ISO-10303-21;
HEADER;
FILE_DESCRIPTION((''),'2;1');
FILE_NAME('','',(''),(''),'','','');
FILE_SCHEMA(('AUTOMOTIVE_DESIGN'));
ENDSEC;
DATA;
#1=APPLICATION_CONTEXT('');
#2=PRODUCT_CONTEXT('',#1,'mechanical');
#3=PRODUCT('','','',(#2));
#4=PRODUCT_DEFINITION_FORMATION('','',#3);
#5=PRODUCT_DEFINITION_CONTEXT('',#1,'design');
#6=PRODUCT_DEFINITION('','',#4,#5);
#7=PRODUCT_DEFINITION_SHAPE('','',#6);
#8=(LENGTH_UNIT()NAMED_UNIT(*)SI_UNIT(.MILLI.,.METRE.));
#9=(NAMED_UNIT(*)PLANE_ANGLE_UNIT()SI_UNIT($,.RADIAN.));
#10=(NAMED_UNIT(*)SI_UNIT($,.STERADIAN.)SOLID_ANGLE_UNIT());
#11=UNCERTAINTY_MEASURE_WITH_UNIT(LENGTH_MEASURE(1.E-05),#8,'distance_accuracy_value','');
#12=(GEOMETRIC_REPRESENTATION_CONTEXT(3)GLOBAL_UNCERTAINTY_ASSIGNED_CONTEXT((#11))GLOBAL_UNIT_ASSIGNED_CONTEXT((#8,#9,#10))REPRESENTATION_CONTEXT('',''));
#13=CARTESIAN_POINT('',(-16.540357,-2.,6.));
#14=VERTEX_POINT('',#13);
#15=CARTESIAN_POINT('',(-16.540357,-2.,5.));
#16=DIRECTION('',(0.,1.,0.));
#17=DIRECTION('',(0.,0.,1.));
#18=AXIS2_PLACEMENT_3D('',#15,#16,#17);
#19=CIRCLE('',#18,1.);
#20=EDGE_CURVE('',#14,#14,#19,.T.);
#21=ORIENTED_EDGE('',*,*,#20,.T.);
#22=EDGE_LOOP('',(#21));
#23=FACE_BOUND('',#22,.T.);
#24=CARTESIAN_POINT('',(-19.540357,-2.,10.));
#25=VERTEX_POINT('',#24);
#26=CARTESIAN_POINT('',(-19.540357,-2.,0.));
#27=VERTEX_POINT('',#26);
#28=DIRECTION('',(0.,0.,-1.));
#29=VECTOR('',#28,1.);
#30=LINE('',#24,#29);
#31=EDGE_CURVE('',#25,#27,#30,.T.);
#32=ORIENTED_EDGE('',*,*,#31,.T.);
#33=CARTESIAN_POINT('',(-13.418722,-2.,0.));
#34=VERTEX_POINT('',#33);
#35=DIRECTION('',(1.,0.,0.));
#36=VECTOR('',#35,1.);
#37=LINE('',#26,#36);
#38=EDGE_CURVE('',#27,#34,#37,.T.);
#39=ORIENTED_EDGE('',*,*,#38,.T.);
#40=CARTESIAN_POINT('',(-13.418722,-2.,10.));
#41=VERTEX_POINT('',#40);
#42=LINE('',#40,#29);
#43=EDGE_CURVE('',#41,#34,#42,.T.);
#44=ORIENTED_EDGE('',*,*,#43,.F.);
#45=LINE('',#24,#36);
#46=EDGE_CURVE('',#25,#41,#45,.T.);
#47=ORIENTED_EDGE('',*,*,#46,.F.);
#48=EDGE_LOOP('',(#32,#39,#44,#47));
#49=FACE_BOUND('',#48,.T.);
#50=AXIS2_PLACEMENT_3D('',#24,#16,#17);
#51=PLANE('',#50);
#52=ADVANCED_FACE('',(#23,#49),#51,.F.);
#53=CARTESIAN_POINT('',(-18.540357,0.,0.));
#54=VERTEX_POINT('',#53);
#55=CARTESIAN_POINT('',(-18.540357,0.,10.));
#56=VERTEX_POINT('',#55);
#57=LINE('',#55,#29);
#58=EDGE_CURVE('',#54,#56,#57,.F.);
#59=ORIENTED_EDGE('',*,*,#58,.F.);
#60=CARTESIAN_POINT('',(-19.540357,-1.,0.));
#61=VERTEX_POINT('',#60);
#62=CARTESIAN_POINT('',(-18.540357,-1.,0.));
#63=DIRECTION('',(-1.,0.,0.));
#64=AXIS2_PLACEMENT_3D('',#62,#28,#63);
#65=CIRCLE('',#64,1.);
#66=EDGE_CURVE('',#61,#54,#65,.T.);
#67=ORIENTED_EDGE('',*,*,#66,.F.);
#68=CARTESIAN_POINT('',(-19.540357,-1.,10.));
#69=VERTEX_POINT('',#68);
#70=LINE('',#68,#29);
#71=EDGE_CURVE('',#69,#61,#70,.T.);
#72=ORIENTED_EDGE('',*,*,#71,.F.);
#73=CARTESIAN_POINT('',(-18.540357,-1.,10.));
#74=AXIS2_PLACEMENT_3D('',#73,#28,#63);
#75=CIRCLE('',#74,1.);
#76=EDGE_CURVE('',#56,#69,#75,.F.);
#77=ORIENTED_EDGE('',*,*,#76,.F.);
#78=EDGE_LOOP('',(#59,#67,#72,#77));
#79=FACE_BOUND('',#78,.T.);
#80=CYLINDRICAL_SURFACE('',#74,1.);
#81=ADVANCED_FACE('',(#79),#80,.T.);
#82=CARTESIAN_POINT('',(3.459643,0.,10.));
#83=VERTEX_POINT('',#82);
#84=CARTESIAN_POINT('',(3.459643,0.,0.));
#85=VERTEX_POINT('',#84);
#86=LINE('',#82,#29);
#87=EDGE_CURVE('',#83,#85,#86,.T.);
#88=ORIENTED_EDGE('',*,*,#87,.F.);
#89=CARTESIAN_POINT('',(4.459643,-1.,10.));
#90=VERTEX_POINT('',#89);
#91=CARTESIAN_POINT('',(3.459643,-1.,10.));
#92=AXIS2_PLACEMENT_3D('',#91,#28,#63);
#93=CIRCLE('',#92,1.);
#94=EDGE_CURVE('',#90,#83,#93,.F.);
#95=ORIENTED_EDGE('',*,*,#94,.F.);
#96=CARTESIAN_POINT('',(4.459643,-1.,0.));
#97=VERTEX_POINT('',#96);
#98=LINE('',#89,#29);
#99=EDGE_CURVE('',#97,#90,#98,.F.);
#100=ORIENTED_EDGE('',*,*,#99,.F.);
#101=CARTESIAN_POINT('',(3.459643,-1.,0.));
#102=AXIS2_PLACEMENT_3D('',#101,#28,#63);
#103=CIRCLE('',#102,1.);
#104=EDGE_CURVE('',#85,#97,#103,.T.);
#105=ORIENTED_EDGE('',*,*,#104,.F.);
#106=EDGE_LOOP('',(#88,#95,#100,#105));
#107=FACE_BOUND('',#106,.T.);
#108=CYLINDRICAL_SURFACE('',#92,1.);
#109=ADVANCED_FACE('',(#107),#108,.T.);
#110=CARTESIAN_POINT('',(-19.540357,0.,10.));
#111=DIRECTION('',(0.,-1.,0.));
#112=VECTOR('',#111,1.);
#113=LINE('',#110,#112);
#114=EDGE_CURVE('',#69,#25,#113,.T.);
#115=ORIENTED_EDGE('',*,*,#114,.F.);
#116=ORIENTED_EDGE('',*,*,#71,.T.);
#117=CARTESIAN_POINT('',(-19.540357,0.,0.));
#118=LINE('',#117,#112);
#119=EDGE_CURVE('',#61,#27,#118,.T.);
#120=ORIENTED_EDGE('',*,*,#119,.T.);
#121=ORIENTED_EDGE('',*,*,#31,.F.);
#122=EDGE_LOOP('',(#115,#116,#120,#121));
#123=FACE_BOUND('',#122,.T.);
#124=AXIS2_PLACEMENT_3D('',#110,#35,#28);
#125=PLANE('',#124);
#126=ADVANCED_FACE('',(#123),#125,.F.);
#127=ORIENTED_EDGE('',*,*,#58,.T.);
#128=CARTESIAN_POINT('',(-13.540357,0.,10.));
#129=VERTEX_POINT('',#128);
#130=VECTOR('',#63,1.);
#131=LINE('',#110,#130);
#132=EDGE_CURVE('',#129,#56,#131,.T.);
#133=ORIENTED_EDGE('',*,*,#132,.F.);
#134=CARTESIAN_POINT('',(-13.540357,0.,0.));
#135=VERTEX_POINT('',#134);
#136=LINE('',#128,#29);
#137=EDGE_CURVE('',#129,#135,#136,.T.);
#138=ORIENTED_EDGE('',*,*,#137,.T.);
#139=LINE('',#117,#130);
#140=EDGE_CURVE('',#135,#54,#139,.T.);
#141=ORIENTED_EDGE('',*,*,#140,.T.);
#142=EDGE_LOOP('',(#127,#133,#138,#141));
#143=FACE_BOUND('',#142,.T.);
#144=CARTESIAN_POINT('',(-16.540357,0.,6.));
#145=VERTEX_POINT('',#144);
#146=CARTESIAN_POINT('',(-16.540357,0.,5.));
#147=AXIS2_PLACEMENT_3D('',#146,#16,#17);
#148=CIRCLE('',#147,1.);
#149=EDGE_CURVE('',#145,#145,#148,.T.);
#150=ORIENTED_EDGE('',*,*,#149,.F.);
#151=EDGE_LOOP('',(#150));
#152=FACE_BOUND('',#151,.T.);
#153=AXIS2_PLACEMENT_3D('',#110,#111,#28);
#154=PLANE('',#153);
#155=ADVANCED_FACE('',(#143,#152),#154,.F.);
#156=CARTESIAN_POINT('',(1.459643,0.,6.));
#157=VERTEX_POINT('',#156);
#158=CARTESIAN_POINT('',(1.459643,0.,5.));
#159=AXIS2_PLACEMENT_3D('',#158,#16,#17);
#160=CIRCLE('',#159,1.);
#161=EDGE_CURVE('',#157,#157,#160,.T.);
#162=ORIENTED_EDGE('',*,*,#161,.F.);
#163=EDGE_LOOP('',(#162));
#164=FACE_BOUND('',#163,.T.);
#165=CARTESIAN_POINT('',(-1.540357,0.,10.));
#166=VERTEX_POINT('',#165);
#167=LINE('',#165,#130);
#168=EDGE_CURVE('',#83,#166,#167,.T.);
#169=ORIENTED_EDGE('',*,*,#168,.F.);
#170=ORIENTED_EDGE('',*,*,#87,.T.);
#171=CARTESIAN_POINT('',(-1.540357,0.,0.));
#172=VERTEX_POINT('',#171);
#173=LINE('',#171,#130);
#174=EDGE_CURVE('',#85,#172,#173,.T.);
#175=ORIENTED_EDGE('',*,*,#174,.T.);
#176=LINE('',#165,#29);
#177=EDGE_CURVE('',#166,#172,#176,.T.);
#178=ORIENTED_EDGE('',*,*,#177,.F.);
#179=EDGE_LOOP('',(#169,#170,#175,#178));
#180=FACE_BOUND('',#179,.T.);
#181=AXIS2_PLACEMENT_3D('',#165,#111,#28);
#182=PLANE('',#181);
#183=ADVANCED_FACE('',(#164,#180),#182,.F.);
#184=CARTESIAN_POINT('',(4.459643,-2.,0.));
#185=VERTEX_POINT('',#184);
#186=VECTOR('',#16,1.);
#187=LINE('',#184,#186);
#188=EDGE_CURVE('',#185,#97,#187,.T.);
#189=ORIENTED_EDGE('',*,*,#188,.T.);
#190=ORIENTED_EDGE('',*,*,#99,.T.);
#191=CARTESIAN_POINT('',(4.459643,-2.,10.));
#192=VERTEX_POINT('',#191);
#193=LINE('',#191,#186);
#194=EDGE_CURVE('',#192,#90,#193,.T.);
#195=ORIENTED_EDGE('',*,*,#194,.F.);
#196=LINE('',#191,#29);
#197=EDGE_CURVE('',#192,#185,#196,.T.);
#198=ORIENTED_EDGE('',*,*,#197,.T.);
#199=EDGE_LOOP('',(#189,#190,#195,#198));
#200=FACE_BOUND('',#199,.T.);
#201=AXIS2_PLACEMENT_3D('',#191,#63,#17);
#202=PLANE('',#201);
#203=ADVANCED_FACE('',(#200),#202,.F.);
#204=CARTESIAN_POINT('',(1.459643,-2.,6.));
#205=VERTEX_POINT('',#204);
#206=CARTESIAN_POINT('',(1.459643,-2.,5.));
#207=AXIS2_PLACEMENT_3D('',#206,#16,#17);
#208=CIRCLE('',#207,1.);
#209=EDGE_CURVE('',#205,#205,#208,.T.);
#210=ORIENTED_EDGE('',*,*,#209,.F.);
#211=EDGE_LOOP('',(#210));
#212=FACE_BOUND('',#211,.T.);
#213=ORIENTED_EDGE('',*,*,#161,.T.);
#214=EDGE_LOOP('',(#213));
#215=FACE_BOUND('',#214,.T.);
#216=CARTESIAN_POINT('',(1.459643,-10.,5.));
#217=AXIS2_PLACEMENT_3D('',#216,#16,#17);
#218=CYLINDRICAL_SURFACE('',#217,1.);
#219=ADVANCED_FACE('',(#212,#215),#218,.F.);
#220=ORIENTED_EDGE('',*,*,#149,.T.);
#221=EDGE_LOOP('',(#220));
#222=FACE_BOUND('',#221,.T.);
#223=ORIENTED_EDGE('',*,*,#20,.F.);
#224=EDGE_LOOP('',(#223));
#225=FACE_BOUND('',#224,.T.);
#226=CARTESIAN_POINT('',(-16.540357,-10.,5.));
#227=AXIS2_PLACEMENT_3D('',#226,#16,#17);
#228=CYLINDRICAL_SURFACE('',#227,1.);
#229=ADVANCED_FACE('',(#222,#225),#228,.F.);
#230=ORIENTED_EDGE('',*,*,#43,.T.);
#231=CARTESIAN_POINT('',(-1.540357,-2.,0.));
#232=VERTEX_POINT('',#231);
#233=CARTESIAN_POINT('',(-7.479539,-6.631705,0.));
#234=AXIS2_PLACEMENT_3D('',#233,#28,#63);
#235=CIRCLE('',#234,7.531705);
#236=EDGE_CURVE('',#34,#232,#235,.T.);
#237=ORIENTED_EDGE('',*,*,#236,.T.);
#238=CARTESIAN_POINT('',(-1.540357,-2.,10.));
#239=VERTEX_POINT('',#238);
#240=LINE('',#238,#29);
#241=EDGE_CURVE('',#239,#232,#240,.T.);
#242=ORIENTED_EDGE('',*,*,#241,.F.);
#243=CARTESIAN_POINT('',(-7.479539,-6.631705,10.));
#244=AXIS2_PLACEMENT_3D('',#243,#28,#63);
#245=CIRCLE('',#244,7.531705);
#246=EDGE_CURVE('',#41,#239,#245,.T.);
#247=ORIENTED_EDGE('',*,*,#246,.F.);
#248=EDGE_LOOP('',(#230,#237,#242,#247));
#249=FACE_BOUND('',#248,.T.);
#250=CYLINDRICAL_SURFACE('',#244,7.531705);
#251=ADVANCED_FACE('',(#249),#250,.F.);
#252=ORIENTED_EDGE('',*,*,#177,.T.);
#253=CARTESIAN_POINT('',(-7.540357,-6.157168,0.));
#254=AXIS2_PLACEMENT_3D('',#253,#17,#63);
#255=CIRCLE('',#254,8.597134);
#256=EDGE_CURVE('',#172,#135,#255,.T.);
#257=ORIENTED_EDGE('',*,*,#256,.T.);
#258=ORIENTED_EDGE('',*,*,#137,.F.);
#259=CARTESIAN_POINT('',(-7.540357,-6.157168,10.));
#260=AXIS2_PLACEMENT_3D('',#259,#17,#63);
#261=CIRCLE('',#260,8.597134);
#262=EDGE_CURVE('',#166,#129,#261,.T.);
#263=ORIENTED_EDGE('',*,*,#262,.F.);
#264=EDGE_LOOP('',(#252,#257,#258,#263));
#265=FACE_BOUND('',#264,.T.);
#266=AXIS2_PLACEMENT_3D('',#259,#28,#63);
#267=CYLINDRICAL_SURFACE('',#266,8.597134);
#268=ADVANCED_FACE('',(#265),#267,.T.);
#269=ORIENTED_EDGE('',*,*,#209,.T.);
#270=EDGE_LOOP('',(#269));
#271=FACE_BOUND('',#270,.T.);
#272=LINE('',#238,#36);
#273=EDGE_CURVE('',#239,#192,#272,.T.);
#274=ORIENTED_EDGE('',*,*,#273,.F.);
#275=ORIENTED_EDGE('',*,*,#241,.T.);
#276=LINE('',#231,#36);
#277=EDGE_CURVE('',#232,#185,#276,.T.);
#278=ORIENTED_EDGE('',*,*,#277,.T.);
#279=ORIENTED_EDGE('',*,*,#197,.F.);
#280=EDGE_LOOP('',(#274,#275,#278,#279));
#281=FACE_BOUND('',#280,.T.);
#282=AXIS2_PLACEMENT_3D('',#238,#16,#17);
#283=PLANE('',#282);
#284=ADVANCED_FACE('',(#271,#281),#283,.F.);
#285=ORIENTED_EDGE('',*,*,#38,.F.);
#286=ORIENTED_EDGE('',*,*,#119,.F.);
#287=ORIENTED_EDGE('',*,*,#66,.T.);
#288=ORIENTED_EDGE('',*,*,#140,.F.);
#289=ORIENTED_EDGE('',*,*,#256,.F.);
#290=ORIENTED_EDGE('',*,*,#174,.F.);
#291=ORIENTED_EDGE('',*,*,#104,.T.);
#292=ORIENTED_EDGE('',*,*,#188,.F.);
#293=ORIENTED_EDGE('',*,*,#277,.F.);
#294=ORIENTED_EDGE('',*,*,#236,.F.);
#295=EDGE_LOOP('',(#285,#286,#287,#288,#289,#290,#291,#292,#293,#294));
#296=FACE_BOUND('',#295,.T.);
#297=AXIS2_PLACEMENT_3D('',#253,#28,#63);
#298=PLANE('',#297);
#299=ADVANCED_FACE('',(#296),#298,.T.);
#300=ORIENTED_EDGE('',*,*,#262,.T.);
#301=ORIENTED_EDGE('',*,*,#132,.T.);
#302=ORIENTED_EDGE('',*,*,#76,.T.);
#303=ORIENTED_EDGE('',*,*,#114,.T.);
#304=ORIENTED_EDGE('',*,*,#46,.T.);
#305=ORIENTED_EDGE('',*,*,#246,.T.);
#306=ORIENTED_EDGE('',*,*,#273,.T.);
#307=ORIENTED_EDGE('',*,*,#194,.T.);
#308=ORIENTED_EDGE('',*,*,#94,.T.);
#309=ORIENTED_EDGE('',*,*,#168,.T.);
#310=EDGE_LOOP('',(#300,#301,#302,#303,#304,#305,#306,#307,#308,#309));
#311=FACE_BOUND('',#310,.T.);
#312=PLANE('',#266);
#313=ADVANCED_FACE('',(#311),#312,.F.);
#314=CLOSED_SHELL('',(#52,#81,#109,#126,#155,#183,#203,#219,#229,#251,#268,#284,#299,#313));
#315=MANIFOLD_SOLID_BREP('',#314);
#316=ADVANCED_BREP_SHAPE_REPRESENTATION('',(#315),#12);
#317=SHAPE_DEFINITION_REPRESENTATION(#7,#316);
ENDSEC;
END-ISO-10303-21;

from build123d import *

# Parameters (mm, degrees)
BOSS_EXTRUDE1_DEPTH = 10
SKETCH3_R           = 1
CUT_EXTRUDE1_DEPTH  = 10
FILLET1_R           = 1


with BuildPart() as part:
    # Sketch2 → Boss-Extrude1 (new body)
    with BuildSketch(Plane.XY):
        with BuildLine():
            Line((-19.540356597, 0), (-19.540356597, -2))
            Line((-19.540356597, -2), (-13.418721915, -2))
            ThreePointArc((-13.418721915, -2), (-7.479539256, 0.9), (-1.540356597, -2))
            Line((-1.540356597, -2), (4.459643403, -2))
            Line((4.459643403, -2), (4.459643403, 0))
            Line((4.459643403, 0), (-1.540356597, 0))
            ThreePointArc((-1.540356597, 0), (-7.540356597, 2.439966221), (-13.540356597, 0))
            Line((-13.540356597, 0), (-19.540356597, 0))
        make_face()
    extrude(amount=BOSS_EXTRUDE1_DEPTH)

    # Sketch3 → Cut-Extrude1 (cut)
    with BuildSketch(Plane(origin=(0, 0, 0), x_dir=(1, 0, 0), z_dir=(0, 1, 0))):
        with Locations(Location((-16.540356597, -5, 0), (0, 0, 270))):
            Circle(SKETCH3_R)
        with Locations(Location((1.459643403, -5, 0), (0, 0, 270))):
            Circle(SKETCH3_R)
    extrude(amount=-CUT_EXTRUDE1_DEPTH, mode=Mode.SUBTRACT)

    # Fillet1
    fillet1_edges = [part.edges().sort_by_distance(p)[0] for p in [
        (4.459643403, 0, 5),
        (-19.540356597, 0, 5),
    ]]
    fillet(fillet1_edges, radius=FILLET1_R)


solid = part.part
